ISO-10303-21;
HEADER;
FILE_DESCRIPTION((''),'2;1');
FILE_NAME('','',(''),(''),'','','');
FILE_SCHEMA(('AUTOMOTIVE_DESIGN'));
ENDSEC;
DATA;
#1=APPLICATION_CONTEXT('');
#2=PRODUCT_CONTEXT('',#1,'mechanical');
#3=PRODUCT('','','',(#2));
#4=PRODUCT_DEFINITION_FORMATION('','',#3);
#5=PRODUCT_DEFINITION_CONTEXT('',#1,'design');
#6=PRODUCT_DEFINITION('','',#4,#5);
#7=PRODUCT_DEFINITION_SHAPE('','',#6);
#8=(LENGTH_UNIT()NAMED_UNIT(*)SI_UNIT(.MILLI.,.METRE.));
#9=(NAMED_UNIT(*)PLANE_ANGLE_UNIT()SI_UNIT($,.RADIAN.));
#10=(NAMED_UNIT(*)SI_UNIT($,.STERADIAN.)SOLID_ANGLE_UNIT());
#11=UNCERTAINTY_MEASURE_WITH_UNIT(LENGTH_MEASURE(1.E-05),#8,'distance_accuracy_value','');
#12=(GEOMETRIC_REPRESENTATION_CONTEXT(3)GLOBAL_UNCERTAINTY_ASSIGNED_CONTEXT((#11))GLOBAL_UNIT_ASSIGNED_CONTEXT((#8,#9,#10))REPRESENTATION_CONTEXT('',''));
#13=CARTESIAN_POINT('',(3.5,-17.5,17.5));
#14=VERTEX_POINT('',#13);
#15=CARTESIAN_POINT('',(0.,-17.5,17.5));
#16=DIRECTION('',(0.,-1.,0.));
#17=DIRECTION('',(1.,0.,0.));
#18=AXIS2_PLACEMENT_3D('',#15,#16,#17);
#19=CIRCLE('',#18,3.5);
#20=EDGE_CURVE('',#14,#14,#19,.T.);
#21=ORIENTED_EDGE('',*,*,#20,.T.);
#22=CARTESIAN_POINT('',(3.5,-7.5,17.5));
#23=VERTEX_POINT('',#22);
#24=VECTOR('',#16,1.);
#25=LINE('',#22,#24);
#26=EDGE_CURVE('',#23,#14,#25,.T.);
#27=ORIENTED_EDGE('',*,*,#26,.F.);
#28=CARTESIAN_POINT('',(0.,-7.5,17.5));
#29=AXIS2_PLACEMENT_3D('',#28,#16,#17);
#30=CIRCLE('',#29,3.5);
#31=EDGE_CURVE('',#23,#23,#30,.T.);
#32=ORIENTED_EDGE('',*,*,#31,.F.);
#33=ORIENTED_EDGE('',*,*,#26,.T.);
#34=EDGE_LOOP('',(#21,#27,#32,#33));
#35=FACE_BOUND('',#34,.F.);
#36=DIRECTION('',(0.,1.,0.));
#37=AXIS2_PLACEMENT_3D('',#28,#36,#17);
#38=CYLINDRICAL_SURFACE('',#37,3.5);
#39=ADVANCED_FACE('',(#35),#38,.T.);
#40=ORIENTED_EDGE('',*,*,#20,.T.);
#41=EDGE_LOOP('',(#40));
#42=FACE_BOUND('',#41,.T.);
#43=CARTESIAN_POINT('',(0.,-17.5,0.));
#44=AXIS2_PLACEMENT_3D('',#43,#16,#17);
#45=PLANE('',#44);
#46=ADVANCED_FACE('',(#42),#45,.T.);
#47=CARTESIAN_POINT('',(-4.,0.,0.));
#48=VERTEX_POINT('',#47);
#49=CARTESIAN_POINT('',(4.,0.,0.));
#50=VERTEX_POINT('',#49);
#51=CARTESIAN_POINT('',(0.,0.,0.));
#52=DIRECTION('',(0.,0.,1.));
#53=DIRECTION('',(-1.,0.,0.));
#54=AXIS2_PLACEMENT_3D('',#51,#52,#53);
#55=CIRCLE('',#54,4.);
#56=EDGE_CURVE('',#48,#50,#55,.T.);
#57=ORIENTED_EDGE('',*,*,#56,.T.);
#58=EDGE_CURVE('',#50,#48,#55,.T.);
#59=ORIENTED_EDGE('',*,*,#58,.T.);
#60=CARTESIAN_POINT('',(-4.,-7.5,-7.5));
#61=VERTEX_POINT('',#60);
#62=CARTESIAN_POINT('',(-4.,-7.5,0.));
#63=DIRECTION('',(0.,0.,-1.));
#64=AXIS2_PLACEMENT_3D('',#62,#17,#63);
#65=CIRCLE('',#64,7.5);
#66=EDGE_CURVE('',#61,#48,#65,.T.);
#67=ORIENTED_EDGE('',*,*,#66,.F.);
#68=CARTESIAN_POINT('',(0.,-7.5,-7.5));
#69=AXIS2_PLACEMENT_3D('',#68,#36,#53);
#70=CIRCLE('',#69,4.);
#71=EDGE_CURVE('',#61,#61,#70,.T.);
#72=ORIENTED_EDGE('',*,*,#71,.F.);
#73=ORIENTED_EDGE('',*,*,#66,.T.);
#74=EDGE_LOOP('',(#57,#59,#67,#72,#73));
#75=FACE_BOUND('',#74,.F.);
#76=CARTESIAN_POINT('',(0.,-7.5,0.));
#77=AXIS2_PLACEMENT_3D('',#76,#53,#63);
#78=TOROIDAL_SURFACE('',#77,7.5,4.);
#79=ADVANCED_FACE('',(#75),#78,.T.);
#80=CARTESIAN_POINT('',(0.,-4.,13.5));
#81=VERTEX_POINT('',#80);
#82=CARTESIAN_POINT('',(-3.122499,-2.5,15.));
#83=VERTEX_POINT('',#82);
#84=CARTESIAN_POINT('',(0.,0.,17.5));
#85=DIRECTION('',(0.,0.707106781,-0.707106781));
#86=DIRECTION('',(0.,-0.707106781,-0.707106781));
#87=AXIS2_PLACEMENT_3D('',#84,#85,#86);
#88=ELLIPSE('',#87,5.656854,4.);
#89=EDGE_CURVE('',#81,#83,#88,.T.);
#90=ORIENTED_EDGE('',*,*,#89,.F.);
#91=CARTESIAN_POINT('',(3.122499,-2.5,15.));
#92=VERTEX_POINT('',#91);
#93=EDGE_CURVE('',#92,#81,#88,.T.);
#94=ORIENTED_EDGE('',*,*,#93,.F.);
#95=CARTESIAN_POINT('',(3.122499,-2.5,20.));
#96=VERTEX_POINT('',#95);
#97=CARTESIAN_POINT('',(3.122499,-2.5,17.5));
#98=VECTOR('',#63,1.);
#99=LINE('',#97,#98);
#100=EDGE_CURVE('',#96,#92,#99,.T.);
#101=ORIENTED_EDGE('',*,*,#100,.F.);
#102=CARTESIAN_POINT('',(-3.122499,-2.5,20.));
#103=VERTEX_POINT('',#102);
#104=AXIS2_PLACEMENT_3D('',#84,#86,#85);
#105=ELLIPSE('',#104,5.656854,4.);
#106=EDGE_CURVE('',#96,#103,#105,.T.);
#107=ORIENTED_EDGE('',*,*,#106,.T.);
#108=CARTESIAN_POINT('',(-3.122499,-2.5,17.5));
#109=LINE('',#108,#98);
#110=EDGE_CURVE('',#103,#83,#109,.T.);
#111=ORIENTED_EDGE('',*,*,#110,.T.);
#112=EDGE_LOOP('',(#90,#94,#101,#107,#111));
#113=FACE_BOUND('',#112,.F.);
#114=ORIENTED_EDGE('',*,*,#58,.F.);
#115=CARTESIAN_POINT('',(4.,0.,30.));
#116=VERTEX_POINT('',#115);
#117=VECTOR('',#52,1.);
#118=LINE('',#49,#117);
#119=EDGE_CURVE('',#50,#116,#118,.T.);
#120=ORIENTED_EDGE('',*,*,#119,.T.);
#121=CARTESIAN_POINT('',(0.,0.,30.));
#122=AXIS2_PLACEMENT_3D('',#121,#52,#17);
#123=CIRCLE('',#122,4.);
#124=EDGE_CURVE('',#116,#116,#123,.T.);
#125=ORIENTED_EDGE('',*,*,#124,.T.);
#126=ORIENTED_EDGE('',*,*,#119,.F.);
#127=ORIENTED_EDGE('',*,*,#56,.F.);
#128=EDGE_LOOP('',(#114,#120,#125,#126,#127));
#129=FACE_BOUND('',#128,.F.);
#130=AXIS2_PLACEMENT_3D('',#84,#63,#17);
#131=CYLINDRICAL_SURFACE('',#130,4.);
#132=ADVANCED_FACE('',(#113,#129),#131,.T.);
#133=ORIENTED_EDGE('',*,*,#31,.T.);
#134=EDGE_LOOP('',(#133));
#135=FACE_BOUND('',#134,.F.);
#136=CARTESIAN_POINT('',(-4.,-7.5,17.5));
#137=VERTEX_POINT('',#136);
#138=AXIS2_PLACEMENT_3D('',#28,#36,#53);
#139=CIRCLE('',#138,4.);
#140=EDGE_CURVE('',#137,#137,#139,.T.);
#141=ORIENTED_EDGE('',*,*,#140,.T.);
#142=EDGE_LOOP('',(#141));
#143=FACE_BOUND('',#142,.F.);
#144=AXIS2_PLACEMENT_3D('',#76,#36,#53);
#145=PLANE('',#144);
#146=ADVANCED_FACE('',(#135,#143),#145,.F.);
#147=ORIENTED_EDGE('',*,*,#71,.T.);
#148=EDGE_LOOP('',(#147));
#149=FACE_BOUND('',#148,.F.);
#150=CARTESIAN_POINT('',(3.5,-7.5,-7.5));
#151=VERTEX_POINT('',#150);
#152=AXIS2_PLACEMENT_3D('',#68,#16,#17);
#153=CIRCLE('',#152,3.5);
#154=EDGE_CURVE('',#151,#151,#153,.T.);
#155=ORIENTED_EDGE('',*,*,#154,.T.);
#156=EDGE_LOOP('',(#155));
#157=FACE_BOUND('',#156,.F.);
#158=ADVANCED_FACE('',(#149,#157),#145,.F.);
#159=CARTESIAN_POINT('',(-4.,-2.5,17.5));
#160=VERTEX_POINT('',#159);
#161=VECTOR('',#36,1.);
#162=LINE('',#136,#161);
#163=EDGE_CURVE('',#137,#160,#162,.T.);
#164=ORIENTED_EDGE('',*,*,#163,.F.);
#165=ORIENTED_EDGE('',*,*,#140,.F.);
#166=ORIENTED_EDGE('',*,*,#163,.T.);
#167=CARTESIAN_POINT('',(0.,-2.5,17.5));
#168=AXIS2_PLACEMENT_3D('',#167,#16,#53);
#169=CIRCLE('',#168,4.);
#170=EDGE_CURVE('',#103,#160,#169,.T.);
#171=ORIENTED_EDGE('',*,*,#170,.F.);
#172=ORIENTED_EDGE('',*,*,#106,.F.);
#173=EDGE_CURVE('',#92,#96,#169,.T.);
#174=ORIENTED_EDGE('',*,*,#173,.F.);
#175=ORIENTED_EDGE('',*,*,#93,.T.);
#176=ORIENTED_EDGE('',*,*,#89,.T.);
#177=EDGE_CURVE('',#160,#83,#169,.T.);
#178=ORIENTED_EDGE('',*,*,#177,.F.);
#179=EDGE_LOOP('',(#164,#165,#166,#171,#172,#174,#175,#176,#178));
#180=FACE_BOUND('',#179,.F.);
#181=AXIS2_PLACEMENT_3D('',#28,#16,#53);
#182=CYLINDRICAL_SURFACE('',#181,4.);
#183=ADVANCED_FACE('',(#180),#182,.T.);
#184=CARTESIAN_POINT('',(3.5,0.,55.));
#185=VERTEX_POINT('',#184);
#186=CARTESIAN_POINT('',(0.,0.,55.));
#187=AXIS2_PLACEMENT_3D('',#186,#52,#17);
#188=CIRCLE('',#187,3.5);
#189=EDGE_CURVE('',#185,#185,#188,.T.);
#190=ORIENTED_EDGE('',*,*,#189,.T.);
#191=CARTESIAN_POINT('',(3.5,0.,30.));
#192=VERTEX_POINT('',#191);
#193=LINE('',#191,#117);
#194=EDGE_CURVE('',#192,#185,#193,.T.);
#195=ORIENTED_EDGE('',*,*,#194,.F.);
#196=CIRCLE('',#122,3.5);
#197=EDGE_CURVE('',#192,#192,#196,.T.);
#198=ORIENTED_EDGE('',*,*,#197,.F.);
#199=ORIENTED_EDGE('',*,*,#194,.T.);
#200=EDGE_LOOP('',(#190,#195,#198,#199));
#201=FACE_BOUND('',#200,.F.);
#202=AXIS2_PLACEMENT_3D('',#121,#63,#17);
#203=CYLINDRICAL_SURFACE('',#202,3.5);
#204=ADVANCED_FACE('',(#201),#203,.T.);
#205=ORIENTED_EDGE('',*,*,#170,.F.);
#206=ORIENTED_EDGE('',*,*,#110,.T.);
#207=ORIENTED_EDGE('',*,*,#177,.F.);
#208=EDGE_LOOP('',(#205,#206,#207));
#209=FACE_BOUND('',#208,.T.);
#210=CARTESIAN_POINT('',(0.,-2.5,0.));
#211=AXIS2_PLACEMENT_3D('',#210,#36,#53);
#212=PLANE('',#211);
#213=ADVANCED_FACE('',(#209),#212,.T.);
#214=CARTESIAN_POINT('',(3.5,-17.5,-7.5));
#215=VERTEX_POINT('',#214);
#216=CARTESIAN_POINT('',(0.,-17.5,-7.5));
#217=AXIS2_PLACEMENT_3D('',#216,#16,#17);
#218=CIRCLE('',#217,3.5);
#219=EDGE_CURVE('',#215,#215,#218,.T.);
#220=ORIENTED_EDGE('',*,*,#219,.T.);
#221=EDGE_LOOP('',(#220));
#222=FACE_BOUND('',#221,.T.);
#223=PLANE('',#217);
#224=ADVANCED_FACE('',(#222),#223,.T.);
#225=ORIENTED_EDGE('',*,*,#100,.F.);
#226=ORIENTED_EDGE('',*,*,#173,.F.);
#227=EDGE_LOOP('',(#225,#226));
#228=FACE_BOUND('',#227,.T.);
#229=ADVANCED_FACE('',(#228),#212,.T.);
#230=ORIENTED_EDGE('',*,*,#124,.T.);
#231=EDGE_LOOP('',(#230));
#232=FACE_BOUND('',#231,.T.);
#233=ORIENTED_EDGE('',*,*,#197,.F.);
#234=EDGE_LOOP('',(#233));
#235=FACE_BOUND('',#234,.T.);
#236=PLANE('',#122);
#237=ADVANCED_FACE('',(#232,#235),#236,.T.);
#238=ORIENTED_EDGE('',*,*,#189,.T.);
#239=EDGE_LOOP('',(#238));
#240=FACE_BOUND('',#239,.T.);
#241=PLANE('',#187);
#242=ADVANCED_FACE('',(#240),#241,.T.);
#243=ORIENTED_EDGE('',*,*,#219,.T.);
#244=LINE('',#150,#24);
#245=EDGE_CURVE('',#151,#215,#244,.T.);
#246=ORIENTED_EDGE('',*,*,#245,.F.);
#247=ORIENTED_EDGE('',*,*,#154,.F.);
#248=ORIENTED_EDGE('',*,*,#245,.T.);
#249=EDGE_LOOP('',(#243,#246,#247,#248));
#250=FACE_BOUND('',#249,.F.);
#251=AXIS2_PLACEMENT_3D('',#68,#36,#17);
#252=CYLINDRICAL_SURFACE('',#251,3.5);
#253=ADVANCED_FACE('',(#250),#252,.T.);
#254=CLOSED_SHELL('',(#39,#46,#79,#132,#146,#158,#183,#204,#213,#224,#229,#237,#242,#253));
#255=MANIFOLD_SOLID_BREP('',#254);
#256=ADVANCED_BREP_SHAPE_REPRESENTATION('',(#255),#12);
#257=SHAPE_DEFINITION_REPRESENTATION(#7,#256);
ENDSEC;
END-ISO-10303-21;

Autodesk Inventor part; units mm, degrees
ref_plane "YZ Plane" through (0, 0, 0) normal (1, 0, 0) x (0, 1, 0)
sketch "Sketch2" plane through (0, 0, 0) normal (0, 0, 1) x (1, 0, 0)
  circle A0 centre (0, 0) radius 4
  dimension "d0" = 8
ref_plane "Work Plane1" through (0, -7.5, 0) normal (0, 1, 0) x (-1, 0, 0)
sketch "Sketch3" plane through (0, -7.5, 0) normal (0, 1, 0) x (-1, 0, 0)
  circle A0 centre (0, -7.5) radius 4
  line L0 (5.6, 0) -> (-5.6, 0) projected
  point P0 (0, 0)
  dimension "d2" = 8
  dimension "d3" = 7.5
revolve "Revolution1" add sketch "Sketch3" angle 90 about axis through (-10, -7.5, 0) along (1, 0, 0)
extrude "Extrusion1" add sketch "Sketch2" along normal blind 17.5
sketch "Sketch4" plane through (0, 0, 17.5) normal (0, 0, 1) x (1, 0, 0)
  circle A0 centre (0, 0) radius 4
  dimension "d7" = 8
ref_plane "Work Plane2" through (0, 0, 17.5) normal (0, 0, 1) x (1, 0, 0)
extrude "Extrusion2" add sketch "Sketch4" along normal blind 12.5
sketch "Sketch5" plane through (0, -7.5, 0) normal (0, 1, 0) x (-1, 0, 0)
  circle A0 centre (0, 17.5) radius 4
  line L0 (-10.5, 17.5) -> (10.5, 17.5) projected
  point P0 (0, 0)
  dimension "d11" = 8
  dimension "d12" = 0
extrude "Extrusion3" add sketch "Sketch5" along normal blind 5
sketch "Sketch7" plane through (0, -7.5, -7.5) normal (0, -1, 0) x (1, 0, 0)
  circle A0 centre (0, 0) radius 3.5
  point P0 (0, 7.5)
  dimension "d18" = 7
extrude "Extrusion4" add sketch "Sketch7" along normal blind 10
sketch "Sketch8" plane through (0, -7.5, 0) normal (0, -1, 0) x (1, 0, 0)
  circle A0 centre (0, 17.5) radius 3.5
  circle A1 centre (0, -7.5) radius 3.5 projected
  point P0 (0, 0)
  dimension "d21" = 7
  dimension "d22" = 25
extrude "Extrusion5" add sketch "Sketch8" along normal blind 10 contours A0
sketch "Sketch10" plane through (0, 0, 30) normal (0, 0, 1) x (1, 0, 0)
  circle A0 centre (0, 0) radius 4 projected
  circle A1 centre (0, 0) radius 3.5
  dimension "d29" = 7
extrude "Extrusion7" add sketch "Sketch10" along normal mid plane 50 contours A1
properties part number "1p10 DP3 roller attachment final"
